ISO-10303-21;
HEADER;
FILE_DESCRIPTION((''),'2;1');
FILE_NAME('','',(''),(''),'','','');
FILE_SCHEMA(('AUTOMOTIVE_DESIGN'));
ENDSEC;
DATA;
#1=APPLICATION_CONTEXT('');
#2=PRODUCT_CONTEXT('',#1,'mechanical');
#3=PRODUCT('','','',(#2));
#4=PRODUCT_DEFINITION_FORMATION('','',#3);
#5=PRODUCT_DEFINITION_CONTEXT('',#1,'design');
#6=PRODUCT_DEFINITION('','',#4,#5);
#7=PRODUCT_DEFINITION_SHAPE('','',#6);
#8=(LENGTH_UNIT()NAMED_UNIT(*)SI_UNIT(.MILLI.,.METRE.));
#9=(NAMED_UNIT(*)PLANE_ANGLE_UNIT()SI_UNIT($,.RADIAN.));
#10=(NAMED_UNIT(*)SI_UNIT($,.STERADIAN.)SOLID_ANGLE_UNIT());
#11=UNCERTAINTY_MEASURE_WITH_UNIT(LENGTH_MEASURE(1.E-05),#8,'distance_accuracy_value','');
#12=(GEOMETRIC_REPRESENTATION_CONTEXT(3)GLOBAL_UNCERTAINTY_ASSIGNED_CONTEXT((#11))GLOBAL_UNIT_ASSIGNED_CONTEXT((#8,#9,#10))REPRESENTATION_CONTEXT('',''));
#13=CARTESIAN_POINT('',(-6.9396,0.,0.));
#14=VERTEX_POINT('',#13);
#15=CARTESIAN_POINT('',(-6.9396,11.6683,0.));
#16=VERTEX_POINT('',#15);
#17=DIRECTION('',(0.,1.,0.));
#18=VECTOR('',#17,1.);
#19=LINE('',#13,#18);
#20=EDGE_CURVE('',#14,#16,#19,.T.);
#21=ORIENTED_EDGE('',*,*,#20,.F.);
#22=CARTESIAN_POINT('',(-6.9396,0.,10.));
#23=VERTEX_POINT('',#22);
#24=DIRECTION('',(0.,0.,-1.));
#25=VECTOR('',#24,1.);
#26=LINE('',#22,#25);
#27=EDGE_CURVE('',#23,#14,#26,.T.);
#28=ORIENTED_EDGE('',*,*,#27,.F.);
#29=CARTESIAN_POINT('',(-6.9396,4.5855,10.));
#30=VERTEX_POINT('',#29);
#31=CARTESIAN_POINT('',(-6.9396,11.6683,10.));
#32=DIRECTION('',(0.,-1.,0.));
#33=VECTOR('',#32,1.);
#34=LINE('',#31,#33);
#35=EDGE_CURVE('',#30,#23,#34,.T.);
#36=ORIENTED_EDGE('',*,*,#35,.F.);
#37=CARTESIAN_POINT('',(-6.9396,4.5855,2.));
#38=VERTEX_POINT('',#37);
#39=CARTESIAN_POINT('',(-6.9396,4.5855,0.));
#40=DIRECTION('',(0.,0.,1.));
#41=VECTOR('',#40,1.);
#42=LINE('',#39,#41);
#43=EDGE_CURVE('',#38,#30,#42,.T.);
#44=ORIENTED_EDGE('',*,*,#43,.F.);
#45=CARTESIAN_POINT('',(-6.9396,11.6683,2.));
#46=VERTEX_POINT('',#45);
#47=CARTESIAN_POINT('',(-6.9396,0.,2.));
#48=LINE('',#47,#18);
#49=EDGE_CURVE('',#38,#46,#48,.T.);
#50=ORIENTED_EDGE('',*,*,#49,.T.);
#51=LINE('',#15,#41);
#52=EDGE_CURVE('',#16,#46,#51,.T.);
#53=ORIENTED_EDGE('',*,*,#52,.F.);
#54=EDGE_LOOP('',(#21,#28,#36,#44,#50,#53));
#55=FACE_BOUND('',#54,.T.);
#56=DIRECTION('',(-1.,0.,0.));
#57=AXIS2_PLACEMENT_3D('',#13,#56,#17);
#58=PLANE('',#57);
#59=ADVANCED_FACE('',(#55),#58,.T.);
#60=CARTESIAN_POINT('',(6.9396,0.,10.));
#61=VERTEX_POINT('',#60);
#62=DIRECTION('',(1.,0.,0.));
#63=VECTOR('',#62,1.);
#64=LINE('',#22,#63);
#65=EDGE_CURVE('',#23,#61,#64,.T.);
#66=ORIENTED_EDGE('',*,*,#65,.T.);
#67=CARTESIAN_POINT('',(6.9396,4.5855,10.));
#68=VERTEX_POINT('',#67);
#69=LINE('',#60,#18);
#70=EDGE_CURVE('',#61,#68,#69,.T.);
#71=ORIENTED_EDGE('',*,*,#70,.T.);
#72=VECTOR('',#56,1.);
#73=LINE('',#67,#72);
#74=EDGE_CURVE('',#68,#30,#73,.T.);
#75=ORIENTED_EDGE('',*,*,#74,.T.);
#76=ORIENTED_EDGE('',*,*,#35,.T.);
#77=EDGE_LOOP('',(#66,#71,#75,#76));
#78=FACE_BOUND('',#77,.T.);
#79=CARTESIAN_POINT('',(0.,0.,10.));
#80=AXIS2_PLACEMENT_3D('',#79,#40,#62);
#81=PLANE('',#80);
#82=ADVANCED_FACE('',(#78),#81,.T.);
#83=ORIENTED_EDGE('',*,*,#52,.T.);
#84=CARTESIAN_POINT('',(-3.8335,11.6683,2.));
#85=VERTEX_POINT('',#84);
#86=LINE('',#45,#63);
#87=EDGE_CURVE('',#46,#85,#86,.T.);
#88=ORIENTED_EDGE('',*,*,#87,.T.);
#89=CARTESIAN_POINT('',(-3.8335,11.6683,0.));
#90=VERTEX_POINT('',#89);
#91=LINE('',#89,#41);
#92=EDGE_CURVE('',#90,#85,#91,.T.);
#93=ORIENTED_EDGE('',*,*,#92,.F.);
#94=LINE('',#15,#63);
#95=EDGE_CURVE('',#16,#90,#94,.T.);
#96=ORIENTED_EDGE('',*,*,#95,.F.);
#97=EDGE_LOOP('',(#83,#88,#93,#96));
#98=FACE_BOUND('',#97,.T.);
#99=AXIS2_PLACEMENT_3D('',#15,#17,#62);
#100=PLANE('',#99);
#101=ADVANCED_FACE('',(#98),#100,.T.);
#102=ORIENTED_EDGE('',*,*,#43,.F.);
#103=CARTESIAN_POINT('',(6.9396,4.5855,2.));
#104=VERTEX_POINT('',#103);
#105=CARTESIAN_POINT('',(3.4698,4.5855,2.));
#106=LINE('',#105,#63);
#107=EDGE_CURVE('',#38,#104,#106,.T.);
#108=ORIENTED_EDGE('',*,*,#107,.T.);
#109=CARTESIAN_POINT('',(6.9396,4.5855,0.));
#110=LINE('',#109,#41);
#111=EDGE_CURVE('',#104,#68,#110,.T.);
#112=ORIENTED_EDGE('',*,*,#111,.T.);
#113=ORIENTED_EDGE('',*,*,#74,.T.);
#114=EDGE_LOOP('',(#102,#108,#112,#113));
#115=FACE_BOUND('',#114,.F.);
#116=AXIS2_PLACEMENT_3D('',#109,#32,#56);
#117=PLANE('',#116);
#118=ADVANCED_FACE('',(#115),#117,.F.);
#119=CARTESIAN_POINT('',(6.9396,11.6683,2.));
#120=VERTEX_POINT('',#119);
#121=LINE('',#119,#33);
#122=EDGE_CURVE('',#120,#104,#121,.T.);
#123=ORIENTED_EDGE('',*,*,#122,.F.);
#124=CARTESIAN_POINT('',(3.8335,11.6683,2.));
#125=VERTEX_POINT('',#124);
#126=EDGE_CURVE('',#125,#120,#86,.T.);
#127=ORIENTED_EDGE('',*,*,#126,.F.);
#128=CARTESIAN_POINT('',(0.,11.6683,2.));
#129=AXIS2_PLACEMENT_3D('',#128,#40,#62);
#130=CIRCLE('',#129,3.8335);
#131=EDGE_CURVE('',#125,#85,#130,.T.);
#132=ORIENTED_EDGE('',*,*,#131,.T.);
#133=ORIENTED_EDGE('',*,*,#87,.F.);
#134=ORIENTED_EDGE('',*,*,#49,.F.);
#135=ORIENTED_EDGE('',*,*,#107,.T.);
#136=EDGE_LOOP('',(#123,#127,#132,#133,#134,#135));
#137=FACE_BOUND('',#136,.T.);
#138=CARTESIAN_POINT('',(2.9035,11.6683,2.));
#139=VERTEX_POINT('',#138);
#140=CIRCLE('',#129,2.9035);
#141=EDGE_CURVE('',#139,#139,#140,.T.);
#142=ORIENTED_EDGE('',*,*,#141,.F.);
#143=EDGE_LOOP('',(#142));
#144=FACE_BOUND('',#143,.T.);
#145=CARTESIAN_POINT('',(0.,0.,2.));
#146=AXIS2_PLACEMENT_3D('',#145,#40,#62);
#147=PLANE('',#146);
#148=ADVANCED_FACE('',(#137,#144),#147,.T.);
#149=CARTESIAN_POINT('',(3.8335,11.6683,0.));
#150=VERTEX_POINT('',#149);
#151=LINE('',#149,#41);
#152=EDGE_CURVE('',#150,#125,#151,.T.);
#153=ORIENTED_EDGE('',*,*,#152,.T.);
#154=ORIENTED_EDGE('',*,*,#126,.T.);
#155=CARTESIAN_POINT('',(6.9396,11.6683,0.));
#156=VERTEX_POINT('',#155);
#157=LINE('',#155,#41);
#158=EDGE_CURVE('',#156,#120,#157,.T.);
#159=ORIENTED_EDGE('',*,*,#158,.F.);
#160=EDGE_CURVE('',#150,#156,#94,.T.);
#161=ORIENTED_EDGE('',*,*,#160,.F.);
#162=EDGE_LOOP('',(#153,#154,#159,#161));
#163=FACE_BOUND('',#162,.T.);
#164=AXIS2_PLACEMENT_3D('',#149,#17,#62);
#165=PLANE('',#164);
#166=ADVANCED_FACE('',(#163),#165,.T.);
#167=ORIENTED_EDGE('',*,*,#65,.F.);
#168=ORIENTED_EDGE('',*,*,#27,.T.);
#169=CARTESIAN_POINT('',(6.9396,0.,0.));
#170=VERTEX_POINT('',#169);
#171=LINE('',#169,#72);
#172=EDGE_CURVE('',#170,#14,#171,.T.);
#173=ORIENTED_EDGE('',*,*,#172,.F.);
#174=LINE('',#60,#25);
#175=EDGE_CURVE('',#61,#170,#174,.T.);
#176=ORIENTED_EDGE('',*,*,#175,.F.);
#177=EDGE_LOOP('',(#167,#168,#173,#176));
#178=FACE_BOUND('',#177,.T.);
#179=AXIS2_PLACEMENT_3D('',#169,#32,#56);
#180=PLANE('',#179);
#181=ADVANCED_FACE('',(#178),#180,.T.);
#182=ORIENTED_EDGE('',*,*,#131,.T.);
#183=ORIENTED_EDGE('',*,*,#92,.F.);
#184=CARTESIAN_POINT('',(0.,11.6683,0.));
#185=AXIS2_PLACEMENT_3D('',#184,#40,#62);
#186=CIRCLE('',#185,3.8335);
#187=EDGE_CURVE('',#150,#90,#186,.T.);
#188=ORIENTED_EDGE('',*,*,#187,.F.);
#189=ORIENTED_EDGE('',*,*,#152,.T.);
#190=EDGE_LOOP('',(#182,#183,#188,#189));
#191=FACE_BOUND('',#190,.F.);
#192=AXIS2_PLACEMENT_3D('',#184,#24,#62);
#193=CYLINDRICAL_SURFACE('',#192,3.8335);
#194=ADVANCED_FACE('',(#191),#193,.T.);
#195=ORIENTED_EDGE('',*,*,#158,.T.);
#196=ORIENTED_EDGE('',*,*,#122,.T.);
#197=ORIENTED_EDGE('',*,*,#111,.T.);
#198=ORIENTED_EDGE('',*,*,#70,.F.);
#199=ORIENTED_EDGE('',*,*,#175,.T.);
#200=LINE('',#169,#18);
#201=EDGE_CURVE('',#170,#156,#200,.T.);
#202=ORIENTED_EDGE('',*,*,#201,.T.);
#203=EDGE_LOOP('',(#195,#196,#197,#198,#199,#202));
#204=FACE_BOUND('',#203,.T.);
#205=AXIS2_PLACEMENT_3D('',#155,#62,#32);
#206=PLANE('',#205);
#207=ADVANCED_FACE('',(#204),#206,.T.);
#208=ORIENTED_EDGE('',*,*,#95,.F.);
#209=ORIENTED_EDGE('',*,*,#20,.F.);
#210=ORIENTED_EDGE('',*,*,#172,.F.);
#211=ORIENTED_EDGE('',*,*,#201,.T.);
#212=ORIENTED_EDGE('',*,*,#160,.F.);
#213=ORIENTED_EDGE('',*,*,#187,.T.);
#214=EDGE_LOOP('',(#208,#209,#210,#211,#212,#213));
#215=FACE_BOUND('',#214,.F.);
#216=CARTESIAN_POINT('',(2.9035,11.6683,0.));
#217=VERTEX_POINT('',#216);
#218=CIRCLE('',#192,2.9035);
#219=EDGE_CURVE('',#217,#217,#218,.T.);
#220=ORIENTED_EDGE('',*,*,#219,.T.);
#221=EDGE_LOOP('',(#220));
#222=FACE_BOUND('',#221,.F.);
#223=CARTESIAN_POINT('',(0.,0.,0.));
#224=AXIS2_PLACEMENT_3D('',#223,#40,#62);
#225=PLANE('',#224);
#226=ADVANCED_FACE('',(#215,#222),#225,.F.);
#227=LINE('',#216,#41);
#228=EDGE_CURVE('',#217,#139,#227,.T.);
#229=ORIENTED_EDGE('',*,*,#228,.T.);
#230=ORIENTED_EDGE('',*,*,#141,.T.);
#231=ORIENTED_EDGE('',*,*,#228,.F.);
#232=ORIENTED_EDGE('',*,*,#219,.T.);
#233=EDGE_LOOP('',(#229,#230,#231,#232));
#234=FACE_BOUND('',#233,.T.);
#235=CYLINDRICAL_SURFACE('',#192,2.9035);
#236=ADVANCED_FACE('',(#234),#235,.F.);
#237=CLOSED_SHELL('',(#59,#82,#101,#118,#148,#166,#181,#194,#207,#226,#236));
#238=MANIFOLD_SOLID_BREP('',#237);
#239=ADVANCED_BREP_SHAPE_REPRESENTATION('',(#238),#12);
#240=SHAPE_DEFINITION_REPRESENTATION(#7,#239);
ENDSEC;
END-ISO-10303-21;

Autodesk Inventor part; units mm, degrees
ref_plane "YZ Plane" through (0, 0, 0) normal (1, 0, 0) x (0, 1, 0)
ref_plane "XZ Plane" through (0, 0, 0) normal (0, 1, 0) x (-1, 0, 0)
ref_plane "XY Plane" through (0, 0, 0) normal (0, 0, 1) x (1, 0, 0)
sketch "Sketch1" plane through (0, 0, 0) normal (0, 0, 1) x (1, 0, 0)
  line L0 (-6.9396, 11.6683) -> (6.9396, 11.6683)
  line L1 (6.9396, 11.6683) -> (6.9396, 0)
  line L2 (6.9396, 0) -> (-6.9396, 0)
  line L3 (-6.9396, 0) -> (-6.9396, 11.6683)
  circle A0 centre (0, 11.6683) radius 3.8335
  circle A1 centre (0, 11.6683) radius 2.9035
  point P0 (0, 0)
  point P1 (0, 0)
  point P2 (3.8335, 11.6683)
  point P3 (-3.8335, 11.6683)
extrude "Extrusion1" add sketch "Sketch1" along normal blind 2 contours A1 L0 A0 | L0 A0 A1 | L0 L1 L2 L3 A0
sketch "Sketch2" plane through (0, 0, 0) normal (0, 0, 1) x (1, 0, 0)
  line L0 (-6.9396, 11.6683) -> (-6.9396, 0) projected
  line L1 (-6.9396, 0) -> (6.9396, 0)
  line L2 (6.9396, 0) -> (6.9396, 4.5855)
  line L3 (6.9396, 4.5855) -> (-6.9396, 4.5855)
  line L4 (-6.9396, 4.5855) -> (-6.9396, 0)
  line L5 (6.9396, 0) -> (6.9396, 11.6683) projected
  point P0 (0, 0)
extrude "Extrusion2" add sketch "Sketch2" along normal blind 10
properties part number "exercise2"
